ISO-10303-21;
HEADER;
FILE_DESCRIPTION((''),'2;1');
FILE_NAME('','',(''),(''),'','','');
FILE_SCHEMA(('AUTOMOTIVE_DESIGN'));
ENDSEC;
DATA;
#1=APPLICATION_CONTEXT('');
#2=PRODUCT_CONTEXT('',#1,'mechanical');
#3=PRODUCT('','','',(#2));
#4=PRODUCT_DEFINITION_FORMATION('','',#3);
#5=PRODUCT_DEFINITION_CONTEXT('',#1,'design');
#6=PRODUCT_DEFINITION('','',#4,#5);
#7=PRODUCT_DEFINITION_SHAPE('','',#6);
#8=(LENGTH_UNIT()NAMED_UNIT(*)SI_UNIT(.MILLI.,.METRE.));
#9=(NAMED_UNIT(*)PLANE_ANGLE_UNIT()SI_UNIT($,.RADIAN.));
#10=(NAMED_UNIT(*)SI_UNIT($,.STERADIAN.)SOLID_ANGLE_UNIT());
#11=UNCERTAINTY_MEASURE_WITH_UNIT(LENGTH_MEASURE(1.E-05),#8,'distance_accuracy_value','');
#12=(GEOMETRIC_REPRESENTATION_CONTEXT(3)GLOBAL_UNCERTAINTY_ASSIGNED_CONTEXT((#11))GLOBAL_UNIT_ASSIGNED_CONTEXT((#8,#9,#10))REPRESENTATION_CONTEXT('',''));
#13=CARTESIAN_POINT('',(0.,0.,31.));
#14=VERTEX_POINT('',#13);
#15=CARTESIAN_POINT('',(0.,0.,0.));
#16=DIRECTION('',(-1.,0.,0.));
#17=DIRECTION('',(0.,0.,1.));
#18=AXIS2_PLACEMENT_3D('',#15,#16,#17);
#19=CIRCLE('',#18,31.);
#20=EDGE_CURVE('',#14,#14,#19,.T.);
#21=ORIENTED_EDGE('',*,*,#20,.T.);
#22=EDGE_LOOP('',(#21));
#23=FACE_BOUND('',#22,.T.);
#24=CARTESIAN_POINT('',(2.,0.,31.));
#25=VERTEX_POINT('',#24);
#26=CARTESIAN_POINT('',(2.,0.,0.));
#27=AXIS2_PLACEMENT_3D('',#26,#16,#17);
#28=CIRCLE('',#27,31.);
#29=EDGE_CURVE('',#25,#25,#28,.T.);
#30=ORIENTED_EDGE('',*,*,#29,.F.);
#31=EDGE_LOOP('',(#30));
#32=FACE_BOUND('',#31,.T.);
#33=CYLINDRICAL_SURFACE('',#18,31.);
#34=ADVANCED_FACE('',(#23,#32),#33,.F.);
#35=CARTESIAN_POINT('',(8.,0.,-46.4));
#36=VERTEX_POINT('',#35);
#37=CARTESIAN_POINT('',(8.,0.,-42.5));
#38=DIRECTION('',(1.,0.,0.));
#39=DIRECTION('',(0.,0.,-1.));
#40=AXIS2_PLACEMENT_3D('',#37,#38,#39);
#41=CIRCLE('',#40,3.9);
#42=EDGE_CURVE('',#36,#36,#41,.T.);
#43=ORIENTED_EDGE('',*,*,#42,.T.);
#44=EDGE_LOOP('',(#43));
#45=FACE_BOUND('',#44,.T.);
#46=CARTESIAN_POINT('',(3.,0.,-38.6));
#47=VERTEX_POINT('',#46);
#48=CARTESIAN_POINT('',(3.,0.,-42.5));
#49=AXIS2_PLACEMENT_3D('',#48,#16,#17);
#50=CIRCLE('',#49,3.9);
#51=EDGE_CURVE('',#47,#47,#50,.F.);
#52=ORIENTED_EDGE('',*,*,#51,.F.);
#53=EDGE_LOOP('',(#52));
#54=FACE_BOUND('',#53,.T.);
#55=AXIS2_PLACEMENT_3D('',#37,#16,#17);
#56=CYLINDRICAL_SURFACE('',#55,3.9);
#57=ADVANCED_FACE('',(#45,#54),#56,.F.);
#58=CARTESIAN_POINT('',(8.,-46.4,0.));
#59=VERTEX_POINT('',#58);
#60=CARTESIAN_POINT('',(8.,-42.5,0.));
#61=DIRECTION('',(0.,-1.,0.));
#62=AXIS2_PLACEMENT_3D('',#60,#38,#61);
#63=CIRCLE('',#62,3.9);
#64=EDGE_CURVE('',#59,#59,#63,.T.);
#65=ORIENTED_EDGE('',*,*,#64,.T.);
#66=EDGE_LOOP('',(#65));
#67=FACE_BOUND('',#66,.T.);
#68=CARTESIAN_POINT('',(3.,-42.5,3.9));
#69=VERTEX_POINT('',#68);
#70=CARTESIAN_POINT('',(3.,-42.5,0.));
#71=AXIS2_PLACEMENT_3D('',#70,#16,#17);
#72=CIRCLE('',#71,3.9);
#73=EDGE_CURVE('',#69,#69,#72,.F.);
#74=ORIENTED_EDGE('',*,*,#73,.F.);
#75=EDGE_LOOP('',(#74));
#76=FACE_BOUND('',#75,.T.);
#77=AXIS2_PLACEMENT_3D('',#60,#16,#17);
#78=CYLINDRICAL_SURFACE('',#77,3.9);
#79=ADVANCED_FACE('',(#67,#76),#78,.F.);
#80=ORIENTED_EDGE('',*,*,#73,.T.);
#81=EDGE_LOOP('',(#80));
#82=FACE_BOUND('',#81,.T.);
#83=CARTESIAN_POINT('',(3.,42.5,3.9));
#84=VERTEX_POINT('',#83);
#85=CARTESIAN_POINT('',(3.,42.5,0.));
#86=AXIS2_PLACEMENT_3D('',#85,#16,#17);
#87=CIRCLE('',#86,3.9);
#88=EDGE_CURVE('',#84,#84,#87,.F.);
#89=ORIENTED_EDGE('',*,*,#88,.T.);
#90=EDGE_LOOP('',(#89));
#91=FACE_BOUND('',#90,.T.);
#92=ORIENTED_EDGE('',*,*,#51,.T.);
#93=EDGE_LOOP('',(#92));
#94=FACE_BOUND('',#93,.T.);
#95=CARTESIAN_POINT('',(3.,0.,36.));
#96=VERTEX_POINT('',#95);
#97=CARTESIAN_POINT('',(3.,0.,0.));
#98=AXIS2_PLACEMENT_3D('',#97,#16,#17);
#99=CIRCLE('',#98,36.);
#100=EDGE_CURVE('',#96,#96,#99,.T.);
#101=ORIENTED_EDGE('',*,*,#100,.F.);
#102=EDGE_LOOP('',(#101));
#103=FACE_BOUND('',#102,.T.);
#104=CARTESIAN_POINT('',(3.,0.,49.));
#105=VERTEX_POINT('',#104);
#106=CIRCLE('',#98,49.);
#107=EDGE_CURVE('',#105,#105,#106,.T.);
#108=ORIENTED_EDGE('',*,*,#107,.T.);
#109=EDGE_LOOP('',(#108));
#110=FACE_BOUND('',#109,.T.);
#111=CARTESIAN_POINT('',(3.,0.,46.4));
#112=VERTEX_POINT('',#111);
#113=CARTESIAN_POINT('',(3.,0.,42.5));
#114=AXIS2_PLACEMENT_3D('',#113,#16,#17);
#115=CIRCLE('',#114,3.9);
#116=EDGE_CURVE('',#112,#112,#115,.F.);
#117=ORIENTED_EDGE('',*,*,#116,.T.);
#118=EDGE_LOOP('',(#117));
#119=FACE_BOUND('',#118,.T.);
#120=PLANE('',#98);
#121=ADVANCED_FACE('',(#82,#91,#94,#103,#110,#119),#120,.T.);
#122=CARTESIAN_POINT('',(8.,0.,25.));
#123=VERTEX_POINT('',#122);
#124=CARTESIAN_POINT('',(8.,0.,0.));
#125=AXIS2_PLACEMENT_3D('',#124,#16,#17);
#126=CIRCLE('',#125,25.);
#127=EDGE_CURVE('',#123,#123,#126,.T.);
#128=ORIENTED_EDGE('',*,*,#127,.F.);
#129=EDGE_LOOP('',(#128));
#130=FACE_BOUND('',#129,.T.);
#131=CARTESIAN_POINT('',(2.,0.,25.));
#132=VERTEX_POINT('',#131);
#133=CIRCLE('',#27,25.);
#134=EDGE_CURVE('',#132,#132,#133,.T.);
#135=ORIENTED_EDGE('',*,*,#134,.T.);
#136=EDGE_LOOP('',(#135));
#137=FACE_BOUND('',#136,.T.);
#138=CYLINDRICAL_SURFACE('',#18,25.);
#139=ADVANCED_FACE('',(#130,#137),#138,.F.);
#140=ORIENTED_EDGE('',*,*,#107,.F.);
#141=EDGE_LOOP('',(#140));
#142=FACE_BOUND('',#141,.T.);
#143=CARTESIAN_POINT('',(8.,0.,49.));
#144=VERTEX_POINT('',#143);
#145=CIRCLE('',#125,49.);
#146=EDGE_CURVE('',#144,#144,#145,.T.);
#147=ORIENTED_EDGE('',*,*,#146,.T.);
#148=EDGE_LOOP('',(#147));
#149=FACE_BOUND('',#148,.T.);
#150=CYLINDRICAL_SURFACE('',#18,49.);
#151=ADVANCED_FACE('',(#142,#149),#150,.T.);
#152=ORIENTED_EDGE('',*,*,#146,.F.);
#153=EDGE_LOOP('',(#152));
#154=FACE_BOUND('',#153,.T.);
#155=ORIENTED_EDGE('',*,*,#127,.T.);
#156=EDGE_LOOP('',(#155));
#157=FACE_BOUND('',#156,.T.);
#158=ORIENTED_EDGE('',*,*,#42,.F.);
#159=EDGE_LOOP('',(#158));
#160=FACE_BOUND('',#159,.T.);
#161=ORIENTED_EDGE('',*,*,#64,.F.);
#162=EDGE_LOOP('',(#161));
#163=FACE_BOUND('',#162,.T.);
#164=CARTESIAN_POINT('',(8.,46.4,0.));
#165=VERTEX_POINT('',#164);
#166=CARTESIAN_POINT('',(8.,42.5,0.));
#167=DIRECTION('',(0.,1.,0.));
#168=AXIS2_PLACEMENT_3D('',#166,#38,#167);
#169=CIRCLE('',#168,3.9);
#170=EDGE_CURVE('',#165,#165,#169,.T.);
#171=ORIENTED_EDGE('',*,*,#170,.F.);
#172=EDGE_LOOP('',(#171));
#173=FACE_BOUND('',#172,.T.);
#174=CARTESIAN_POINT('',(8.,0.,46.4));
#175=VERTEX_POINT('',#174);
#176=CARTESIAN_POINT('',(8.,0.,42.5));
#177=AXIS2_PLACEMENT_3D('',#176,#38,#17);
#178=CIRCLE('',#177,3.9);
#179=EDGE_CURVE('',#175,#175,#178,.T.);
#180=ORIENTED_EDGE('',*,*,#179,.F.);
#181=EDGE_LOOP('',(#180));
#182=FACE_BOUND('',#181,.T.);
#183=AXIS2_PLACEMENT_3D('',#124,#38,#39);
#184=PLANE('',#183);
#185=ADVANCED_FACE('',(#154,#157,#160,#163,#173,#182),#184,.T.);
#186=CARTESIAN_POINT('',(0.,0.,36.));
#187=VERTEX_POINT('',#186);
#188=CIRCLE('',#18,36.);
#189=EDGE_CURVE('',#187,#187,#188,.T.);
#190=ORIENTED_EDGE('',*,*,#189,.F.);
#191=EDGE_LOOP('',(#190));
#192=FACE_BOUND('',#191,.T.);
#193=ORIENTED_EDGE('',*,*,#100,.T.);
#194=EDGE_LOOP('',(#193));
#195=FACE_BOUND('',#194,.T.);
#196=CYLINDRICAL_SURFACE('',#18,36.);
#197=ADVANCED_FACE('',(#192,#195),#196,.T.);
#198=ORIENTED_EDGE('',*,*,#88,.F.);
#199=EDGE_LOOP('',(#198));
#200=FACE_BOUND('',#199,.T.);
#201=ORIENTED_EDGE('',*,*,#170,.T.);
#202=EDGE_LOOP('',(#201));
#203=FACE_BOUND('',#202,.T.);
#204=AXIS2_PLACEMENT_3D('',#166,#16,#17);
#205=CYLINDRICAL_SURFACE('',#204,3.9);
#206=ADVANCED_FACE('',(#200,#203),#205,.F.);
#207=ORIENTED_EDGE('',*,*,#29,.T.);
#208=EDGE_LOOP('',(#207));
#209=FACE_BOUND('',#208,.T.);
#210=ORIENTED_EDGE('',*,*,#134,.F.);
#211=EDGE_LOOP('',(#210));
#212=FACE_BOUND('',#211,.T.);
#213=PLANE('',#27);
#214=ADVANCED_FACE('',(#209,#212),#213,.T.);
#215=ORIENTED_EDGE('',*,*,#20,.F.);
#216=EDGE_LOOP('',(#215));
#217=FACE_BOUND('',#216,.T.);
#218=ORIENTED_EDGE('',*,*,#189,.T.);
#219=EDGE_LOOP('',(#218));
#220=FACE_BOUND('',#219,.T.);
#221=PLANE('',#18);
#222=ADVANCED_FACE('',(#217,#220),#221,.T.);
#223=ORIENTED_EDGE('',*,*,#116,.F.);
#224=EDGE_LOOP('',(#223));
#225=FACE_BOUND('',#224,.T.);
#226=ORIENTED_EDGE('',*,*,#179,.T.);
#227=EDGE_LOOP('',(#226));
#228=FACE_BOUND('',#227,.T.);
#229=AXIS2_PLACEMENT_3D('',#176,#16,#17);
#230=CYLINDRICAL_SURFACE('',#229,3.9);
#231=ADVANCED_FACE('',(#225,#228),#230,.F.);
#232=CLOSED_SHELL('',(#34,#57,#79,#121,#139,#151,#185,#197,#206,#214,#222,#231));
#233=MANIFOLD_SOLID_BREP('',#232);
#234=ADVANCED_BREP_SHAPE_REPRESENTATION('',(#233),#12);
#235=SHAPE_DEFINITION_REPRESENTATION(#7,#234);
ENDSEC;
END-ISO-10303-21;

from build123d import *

# Parameters (mm, degrees)
CUT_EXTRUDE1_START = -1
SKETCH2_R          = 3.9
CUT_EXTRUDE1_DEPTH = 10
CIRPATTERN1_COUNT  = 4


with BuildPart() as part:
    # Sketch1 → Revolve1 (revolve)
    with BuildSketch(Plane.XY):
        Polygon((2, 31), (0, 31), (0, 36), (3, 36), (3, 49), (8, 49), (8, 25), (2, 25), align=None)
    revolve(axis=Axis((0, 0, 0), (1, 0, 0)))

    # Sketch2 → Cut-Extrude1 (cut)
    with BuildSketch(Plane(origin=(0, 0, 0), x_dir=(0, 0, -1), z_dir=(1, 0, 0)).offset(CUT_EXTRUDE1_START)):
        with Locations((42.5, 0)):
            Circle(SKETCH2_R)
    cut_extrude1 = extrude(amount=CUT_EXTRUDE1_DEPTH, mode=Mode.SUBTRACT)

    # CirPattern1: Cut-Extrude1 ×4 about axis
    cirpattern1_axis = Axis((0, 0, 0), (1, 0, 0))
    for i in range(1, CIRPATTERN1_COUNT):
        add(cut_extrude1.rotate(cirpattern1_axis, i * 360 / CIRPATTERN1_COUNT), mode=Mode.SUBTRACT)


solid = part.part
